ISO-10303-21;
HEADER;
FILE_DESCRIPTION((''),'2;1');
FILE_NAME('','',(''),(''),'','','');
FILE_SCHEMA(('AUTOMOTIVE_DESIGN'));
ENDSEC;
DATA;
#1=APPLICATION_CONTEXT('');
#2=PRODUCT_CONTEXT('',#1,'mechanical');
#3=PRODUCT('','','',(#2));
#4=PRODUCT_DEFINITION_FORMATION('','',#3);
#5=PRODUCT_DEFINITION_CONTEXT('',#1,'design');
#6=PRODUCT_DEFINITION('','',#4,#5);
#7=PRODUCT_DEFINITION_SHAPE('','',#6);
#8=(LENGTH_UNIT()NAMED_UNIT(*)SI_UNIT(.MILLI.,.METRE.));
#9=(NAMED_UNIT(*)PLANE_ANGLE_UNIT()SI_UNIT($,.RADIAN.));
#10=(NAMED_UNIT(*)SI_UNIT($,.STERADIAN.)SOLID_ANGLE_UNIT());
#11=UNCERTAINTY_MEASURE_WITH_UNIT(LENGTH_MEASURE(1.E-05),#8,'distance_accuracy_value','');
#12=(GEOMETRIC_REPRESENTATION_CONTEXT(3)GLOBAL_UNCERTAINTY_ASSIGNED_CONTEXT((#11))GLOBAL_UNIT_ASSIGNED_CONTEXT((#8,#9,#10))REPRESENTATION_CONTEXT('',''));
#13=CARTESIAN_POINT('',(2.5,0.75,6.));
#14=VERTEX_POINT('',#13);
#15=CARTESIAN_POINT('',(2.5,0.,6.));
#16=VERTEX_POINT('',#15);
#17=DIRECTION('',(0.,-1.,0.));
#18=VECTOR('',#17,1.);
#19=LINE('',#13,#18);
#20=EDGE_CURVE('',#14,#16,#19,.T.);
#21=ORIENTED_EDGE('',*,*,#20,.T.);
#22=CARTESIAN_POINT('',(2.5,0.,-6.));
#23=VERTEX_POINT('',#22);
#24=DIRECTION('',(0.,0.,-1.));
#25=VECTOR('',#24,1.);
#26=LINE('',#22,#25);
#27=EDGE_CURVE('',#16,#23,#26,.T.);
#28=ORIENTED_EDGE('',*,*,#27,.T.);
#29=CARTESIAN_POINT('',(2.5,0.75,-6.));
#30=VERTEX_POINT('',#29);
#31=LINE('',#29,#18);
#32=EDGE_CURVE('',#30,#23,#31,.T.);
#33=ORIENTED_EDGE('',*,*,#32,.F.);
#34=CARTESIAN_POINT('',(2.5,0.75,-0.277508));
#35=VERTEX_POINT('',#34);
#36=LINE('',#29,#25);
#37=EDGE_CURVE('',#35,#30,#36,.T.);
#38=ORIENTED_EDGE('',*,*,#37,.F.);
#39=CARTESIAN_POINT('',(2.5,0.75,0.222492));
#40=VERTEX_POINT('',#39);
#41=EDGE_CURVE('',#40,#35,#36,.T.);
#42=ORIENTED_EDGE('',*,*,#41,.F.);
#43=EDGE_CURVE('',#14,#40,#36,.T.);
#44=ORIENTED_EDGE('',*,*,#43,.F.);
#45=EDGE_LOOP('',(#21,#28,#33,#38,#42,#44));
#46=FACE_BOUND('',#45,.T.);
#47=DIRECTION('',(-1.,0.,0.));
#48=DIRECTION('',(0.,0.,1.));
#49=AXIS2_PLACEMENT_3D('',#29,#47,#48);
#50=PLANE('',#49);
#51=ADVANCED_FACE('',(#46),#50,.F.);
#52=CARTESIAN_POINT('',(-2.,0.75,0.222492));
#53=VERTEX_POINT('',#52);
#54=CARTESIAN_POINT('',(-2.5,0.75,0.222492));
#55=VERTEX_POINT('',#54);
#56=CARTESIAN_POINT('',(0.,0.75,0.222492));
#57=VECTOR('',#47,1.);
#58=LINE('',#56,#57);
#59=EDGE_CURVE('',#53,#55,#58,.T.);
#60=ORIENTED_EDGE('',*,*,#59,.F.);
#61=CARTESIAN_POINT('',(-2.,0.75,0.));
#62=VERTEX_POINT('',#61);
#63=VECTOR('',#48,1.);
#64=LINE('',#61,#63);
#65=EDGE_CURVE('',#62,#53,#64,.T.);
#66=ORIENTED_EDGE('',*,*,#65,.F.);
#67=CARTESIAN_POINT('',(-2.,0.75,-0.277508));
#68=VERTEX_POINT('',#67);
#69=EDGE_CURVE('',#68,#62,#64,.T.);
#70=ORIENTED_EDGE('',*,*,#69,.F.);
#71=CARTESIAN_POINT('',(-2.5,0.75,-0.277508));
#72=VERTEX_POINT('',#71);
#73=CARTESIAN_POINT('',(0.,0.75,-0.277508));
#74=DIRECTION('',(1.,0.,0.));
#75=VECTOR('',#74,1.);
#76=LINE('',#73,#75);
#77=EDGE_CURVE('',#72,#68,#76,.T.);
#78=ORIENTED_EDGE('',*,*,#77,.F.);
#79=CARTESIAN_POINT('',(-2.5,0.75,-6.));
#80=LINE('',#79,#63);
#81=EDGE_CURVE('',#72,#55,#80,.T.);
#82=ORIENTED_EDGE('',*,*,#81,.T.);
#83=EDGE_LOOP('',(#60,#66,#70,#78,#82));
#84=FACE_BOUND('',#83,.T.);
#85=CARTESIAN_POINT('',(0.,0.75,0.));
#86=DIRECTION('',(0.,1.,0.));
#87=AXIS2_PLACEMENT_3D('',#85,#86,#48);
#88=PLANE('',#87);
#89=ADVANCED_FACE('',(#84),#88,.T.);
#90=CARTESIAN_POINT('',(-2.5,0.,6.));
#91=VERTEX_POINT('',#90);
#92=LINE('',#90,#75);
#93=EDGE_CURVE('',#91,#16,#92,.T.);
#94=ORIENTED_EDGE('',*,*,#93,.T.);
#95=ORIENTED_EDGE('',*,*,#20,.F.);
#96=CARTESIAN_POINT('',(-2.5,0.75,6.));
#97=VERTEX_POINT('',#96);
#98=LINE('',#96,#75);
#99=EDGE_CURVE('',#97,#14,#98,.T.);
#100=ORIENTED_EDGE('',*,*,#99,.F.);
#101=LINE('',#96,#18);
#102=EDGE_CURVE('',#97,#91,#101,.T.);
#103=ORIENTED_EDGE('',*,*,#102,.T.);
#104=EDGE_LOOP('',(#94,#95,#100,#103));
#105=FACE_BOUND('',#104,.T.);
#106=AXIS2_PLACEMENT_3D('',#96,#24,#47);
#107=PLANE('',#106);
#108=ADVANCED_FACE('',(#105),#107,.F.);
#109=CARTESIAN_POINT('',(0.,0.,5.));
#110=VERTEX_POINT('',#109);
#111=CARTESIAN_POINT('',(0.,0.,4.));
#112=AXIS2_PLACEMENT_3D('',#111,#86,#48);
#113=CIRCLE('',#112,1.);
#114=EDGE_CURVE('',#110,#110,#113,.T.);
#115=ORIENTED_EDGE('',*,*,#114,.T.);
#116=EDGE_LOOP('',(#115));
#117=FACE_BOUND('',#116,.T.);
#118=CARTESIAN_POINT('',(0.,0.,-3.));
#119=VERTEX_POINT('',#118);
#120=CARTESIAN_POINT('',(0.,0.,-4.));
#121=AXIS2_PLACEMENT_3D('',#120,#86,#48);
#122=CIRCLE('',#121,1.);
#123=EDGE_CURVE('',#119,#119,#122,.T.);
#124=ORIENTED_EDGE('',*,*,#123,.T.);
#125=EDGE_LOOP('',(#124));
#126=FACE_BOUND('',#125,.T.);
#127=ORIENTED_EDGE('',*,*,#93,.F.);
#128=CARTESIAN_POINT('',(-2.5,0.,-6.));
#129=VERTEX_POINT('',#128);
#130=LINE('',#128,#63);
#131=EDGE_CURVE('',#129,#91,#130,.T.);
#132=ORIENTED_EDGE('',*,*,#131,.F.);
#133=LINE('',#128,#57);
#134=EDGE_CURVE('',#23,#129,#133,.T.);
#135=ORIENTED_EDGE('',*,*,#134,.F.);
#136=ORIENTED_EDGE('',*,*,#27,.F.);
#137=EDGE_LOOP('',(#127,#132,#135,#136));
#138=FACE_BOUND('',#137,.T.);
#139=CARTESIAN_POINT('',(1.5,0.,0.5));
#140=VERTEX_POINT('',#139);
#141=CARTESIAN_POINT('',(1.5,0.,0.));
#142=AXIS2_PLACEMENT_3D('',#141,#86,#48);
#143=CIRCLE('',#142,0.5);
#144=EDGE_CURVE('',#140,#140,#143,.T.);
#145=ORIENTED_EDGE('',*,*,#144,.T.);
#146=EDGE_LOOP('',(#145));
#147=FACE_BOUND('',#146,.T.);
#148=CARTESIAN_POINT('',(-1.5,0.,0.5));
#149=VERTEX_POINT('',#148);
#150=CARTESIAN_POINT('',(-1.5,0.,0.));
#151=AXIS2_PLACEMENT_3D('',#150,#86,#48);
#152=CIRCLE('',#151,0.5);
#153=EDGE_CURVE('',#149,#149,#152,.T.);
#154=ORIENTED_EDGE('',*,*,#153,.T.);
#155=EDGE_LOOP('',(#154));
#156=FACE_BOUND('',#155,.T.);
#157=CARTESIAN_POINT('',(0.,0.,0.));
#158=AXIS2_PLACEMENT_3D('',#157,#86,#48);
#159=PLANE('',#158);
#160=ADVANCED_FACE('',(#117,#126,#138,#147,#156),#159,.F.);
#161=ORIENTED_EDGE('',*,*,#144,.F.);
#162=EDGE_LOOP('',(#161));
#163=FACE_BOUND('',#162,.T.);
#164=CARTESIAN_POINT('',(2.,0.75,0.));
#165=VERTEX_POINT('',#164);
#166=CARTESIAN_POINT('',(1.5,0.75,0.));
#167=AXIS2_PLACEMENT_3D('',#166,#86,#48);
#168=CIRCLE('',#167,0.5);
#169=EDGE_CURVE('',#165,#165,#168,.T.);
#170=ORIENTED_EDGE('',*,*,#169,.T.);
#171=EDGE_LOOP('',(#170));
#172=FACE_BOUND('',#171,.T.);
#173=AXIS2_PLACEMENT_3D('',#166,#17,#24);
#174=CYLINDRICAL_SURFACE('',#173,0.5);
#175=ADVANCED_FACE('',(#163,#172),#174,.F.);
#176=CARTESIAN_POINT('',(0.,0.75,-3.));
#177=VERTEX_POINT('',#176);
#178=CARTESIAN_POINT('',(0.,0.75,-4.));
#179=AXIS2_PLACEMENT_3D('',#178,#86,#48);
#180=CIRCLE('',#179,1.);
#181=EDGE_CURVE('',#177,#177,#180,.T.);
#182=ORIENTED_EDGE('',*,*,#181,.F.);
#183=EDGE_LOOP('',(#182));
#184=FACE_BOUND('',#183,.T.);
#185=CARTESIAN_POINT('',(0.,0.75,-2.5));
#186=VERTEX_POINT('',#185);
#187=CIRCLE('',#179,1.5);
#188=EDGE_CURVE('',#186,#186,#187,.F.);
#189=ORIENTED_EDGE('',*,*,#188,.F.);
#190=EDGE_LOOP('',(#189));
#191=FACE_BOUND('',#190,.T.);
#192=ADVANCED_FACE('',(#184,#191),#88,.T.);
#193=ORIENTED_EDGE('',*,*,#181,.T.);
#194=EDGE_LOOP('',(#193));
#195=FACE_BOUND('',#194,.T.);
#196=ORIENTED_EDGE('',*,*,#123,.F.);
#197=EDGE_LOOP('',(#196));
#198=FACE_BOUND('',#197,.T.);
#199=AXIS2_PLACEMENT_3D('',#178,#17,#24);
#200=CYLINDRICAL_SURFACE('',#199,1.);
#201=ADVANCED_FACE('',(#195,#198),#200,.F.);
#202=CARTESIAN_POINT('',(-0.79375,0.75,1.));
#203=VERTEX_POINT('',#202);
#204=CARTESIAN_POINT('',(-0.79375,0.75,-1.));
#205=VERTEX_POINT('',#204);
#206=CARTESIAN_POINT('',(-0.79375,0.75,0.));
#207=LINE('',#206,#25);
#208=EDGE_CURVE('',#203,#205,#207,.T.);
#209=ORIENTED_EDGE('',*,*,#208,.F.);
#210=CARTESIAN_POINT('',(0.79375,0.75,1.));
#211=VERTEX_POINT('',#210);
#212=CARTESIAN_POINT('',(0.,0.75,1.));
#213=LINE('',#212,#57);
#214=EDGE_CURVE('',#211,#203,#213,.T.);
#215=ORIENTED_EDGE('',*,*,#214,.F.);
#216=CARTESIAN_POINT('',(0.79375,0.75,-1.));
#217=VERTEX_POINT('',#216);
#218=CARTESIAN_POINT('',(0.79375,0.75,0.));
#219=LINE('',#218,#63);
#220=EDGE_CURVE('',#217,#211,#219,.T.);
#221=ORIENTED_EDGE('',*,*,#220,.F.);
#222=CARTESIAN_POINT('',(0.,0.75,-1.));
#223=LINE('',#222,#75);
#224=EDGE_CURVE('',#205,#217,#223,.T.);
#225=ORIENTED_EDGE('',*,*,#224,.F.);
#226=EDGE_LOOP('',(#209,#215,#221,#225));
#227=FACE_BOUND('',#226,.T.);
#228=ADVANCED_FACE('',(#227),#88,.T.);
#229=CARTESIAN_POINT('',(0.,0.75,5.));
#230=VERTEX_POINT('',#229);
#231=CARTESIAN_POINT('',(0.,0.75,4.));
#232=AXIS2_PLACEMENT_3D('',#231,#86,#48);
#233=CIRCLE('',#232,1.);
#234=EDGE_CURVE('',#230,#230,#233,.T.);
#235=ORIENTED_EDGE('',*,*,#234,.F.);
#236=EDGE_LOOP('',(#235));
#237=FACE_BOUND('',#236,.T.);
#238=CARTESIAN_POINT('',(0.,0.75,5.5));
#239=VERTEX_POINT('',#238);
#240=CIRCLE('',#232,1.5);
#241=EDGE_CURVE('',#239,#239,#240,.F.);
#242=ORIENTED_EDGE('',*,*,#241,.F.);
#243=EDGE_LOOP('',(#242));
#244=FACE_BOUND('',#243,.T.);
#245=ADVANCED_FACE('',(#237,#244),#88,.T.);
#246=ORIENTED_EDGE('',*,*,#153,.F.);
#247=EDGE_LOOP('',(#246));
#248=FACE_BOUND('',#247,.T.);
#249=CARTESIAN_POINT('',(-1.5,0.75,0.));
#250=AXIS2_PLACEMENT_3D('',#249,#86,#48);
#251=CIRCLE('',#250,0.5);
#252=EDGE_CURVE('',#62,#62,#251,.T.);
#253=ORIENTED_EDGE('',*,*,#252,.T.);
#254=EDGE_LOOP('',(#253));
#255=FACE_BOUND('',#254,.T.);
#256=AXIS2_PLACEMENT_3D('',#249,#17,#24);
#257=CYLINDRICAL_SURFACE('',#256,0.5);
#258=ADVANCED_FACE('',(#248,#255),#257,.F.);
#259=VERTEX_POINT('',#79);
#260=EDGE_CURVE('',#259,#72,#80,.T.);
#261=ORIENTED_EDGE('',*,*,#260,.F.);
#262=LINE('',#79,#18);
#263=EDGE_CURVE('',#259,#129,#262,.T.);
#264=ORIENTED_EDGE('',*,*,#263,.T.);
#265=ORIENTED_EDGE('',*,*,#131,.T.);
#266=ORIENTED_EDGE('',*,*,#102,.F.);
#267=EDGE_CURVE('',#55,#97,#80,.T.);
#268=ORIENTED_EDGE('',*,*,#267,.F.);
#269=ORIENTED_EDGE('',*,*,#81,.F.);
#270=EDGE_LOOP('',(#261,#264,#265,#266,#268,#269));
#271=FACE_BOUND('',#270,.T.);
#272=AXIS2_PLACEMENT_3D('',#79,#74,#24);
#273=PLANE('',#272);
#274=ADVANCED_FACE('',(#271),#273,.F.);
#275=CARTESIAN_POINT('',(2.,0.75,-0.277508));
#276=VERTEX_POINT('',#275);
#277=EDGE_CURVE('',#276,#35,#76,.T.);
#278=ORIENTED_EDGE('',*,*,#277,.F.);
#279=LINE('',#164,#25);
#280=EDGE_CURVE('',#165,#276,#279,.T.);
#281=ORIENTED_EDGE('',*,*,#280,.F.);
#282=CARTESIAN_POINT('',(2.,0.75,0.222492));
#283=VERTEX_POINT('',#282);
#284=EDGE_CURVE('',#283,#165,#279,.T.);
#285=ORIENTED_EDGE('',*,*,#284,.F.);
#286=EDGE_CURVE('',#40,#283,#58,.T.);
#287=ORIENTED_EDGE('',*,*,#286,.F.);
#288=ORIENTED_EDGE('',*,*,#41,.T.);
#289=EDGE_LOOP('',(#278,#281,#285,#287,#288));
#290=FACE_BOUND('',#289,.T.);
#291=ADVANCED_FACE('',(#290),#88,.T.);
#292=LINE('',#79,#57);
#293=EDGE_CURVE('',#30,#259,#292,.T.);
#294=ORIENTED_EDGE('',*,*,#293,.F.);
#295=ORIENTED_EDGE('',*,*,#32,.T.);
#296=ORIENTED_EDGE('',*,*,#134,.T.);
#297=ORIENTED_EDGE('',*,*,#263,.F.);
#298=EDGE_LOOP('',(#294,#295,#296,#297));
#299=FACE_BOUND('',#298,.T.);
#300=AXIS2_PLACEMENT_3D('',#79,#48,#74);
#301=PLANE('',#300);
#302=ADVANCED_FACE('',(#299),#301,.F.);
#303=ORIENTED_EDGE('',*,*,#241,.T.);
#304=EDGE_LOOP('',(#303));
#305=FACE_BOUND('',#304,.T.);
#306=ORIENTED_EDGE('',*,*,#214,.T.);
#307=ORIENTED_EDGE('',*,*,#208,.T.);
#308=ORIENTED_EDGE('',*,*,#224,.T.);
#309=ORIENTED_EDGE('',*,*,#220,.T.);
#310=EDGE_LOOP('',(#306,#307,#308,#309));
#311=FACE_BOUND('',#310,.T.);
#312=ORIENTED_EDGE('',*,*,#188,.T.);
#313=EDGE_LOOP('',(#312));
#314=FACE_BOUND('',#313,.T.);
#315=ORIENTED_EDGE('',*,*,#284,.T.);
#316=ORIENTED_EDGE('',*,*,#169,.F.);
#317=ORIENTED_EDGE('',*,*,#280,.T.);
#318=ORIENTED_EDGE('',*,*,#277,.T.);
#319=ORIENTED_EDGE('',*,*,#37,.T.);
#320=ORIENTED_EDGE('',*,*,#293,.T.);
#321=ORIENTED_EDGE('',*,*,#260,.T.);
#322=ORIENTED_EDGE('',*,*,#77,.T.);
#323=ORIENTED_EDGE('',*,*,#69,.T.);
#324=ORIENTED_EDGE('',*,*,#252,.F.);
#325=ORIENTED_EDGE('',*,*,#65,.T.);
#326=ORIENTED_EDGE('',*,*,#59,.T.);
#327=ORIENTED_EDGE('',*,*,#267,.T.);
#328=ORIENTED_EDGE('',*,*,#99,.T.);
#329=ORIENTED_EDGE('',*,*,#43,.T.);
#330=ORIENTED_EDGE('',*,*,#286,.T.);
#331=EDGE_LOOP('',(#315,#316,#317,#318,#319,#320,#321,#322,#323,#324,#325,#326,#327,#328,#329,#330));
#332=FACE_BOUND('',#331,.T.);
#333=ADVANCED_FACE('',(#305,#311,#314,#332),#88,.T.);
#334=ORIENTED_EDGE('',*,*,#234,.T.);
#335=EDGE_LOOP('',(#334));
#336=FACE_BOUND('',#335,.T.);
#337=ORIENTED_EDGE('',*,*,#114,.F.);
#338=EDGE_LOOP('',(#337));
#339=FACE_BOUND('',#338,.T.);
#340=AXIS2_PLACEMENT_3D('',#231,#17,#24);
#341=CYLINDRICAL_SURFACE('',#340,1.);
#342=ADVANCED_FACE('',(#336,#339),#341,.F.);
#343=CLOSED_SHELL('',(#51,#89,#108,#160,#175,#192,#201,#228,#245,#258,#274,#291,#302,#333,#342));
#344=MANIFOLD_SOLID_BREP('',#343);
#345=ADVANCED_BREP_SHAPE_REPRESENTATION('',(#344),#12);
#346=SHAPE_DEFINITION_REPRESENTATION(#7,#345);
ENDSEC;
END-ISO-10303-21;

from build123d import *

# Parameters (mm, degrees)
SKETCH1_W           = 5
SKETCH1_H           = 12
SKETCH1_R           = 0.5
SKETCH1_R_2         = 1
BOSS_EXTRUDE1_DEPTH = 0.75


with BuildPart() as part:
    # Sketch1 → Boss-Extrude1 (new body)
    with BuildSketch(Plane(origin=(0, 0, 0), x_dir=(1, 0, 0), z_dir=(0, 1, 0))):
        Rectangle(SKETCH1_W, SKETCH1_H)
        with Locations(Location((-1.5, 0, 0), (0, 0, 270))):
            Circle(SKETCH1_R, mode=Mode.SUBTRACT)
        with Locations(Location((1.5, 0, 0), (0, 0, 270))):
            Circle(SKETCH1_R, mode=Mode.SUBTRACT)
        with Locations(Location((0, -4, 0), (0, 0, 270))):
            Circle(SKETCH1_R_2, mode=Mode.SUBTRACT)
        with Locations(Location((0, 4, 0), (0, 0, 270))):
            Circle(SKETCH1_R_2, mode=Mode.SUBTRACT)
    extrude(amount=BOSS_EXTRUDE1_DEPTH)


solid = part.part
